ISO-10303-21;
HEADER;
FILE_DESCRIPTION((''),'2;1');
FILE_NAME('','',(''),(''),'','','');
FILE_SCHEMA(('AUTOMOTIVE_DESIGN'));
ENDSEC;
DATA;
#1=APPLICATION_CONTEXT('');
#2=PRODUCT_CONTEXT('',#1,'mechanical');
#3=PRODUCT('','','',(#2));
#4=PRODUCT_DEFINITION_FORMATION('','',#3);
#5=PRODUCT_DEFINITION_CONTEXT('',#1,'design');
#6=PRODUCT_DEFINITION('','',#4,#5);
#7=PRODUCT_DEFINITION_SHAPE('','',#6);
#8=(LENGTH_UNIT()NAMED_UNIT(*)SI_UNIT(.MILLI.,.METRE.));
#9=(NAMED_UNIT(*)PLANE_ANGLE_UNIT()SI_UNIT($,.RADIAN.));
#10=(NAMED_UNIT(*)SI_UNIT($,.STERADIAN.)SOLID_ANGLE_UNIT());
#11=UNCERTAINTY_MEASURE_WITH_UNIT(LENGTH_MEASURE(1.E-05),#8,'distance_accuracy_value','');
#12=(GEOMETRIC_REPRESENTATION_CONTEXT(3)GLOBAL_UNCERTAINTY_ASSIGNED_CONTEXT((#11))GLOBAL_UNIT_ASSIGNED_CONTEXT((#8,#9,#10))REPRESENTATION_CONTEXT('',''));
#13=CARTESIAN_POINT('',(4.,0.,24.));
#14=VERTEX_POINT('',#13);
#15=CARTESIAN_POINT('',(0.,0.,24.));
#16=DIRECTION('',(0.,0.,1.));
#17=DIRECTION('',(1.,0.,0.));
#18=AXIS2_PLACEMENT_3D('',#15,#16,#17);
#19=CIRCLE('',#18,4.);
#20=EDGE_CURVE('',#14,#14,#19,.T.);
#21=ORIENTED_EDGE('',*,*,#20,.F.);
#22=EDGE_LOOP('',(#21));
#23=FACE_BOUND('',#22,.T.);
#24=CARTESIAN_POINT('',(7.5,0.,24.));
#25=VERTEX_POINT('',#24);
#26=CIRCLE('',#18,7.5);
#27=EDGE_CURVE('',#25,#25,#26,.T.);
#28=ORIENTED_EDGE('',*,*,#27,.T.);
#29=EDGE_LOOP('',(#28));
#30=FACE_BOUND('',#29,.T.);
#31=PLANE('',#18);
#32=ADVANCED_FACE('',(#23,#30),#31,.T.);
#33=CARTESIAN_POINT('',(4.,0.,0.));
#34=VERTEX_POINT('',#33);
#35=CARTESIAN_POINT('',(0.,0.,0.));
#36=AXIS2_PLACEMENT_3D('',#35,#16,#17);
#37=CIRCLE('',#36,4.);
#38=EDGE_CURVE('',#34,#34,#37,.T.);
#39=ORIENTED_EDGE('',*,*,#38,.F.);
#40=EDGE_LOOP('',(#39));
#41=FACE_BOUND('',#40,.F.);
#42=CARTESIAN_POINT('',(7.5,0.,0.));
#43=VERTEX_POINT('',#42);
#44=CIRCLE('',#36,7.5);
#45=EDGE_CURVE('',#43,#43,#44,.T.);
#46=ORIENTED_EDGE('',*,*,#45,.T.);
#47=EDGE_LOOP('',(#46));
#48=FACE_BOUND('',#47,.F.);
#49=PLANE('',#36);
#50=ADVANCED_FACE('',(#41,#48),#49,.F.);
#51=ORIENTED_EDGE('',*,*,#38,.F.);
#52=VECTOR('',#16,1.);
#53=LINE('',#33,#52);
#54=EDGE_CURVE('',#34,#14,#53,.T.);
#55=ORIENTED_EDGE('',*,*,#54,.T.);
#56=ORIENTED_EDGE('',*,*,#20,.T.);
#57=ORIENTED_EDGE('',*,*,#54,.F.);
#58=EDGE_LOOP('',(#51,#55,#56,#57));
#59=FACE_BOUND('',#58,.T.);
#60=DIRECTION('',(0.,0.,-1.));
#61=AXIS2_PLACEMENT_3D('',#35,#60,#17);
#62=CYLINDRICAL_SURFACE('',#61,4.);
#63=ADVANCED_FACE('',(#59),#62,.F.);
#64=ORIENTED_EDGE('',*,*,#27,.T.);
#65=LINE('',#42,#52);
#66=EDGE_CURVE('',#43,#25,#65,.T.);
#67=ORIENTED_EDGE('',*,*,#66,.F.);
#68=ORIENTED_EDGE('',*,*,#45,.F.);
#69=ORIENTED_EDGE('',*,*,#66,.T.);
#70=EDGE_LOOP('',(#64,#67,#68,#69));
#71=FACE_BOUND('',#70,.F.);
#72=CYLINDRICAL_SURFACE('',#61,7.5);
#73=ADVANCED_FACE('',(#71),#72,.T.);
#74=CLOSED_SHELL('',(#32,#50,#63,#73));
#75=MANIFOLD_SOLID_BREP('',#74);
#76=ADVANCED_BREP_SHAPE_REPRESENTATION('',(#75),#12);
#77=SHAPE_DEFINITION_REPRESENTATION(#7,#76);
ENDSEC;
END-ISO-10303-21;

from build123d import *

# Parameters (mm, degrees)
ESBO_O1_R                = 7.5
ESBO_O1_R_2              = 4
RESSALTO_EXTRUS_O1_DEPTH = 24


with BuildPart() as part:
    # Esboço1 → Ressalto-extrusão1 (new body)
    with BuildSketch(Plane.XY):
        Circle(ESBO_O1_R)
        Circle(ESBO_O1_R_2, mode=Mode.SUBTRACT)
    extrude(amount=RESSALTO_EXTRUS_O1_DEPTH)


solid = part.part
